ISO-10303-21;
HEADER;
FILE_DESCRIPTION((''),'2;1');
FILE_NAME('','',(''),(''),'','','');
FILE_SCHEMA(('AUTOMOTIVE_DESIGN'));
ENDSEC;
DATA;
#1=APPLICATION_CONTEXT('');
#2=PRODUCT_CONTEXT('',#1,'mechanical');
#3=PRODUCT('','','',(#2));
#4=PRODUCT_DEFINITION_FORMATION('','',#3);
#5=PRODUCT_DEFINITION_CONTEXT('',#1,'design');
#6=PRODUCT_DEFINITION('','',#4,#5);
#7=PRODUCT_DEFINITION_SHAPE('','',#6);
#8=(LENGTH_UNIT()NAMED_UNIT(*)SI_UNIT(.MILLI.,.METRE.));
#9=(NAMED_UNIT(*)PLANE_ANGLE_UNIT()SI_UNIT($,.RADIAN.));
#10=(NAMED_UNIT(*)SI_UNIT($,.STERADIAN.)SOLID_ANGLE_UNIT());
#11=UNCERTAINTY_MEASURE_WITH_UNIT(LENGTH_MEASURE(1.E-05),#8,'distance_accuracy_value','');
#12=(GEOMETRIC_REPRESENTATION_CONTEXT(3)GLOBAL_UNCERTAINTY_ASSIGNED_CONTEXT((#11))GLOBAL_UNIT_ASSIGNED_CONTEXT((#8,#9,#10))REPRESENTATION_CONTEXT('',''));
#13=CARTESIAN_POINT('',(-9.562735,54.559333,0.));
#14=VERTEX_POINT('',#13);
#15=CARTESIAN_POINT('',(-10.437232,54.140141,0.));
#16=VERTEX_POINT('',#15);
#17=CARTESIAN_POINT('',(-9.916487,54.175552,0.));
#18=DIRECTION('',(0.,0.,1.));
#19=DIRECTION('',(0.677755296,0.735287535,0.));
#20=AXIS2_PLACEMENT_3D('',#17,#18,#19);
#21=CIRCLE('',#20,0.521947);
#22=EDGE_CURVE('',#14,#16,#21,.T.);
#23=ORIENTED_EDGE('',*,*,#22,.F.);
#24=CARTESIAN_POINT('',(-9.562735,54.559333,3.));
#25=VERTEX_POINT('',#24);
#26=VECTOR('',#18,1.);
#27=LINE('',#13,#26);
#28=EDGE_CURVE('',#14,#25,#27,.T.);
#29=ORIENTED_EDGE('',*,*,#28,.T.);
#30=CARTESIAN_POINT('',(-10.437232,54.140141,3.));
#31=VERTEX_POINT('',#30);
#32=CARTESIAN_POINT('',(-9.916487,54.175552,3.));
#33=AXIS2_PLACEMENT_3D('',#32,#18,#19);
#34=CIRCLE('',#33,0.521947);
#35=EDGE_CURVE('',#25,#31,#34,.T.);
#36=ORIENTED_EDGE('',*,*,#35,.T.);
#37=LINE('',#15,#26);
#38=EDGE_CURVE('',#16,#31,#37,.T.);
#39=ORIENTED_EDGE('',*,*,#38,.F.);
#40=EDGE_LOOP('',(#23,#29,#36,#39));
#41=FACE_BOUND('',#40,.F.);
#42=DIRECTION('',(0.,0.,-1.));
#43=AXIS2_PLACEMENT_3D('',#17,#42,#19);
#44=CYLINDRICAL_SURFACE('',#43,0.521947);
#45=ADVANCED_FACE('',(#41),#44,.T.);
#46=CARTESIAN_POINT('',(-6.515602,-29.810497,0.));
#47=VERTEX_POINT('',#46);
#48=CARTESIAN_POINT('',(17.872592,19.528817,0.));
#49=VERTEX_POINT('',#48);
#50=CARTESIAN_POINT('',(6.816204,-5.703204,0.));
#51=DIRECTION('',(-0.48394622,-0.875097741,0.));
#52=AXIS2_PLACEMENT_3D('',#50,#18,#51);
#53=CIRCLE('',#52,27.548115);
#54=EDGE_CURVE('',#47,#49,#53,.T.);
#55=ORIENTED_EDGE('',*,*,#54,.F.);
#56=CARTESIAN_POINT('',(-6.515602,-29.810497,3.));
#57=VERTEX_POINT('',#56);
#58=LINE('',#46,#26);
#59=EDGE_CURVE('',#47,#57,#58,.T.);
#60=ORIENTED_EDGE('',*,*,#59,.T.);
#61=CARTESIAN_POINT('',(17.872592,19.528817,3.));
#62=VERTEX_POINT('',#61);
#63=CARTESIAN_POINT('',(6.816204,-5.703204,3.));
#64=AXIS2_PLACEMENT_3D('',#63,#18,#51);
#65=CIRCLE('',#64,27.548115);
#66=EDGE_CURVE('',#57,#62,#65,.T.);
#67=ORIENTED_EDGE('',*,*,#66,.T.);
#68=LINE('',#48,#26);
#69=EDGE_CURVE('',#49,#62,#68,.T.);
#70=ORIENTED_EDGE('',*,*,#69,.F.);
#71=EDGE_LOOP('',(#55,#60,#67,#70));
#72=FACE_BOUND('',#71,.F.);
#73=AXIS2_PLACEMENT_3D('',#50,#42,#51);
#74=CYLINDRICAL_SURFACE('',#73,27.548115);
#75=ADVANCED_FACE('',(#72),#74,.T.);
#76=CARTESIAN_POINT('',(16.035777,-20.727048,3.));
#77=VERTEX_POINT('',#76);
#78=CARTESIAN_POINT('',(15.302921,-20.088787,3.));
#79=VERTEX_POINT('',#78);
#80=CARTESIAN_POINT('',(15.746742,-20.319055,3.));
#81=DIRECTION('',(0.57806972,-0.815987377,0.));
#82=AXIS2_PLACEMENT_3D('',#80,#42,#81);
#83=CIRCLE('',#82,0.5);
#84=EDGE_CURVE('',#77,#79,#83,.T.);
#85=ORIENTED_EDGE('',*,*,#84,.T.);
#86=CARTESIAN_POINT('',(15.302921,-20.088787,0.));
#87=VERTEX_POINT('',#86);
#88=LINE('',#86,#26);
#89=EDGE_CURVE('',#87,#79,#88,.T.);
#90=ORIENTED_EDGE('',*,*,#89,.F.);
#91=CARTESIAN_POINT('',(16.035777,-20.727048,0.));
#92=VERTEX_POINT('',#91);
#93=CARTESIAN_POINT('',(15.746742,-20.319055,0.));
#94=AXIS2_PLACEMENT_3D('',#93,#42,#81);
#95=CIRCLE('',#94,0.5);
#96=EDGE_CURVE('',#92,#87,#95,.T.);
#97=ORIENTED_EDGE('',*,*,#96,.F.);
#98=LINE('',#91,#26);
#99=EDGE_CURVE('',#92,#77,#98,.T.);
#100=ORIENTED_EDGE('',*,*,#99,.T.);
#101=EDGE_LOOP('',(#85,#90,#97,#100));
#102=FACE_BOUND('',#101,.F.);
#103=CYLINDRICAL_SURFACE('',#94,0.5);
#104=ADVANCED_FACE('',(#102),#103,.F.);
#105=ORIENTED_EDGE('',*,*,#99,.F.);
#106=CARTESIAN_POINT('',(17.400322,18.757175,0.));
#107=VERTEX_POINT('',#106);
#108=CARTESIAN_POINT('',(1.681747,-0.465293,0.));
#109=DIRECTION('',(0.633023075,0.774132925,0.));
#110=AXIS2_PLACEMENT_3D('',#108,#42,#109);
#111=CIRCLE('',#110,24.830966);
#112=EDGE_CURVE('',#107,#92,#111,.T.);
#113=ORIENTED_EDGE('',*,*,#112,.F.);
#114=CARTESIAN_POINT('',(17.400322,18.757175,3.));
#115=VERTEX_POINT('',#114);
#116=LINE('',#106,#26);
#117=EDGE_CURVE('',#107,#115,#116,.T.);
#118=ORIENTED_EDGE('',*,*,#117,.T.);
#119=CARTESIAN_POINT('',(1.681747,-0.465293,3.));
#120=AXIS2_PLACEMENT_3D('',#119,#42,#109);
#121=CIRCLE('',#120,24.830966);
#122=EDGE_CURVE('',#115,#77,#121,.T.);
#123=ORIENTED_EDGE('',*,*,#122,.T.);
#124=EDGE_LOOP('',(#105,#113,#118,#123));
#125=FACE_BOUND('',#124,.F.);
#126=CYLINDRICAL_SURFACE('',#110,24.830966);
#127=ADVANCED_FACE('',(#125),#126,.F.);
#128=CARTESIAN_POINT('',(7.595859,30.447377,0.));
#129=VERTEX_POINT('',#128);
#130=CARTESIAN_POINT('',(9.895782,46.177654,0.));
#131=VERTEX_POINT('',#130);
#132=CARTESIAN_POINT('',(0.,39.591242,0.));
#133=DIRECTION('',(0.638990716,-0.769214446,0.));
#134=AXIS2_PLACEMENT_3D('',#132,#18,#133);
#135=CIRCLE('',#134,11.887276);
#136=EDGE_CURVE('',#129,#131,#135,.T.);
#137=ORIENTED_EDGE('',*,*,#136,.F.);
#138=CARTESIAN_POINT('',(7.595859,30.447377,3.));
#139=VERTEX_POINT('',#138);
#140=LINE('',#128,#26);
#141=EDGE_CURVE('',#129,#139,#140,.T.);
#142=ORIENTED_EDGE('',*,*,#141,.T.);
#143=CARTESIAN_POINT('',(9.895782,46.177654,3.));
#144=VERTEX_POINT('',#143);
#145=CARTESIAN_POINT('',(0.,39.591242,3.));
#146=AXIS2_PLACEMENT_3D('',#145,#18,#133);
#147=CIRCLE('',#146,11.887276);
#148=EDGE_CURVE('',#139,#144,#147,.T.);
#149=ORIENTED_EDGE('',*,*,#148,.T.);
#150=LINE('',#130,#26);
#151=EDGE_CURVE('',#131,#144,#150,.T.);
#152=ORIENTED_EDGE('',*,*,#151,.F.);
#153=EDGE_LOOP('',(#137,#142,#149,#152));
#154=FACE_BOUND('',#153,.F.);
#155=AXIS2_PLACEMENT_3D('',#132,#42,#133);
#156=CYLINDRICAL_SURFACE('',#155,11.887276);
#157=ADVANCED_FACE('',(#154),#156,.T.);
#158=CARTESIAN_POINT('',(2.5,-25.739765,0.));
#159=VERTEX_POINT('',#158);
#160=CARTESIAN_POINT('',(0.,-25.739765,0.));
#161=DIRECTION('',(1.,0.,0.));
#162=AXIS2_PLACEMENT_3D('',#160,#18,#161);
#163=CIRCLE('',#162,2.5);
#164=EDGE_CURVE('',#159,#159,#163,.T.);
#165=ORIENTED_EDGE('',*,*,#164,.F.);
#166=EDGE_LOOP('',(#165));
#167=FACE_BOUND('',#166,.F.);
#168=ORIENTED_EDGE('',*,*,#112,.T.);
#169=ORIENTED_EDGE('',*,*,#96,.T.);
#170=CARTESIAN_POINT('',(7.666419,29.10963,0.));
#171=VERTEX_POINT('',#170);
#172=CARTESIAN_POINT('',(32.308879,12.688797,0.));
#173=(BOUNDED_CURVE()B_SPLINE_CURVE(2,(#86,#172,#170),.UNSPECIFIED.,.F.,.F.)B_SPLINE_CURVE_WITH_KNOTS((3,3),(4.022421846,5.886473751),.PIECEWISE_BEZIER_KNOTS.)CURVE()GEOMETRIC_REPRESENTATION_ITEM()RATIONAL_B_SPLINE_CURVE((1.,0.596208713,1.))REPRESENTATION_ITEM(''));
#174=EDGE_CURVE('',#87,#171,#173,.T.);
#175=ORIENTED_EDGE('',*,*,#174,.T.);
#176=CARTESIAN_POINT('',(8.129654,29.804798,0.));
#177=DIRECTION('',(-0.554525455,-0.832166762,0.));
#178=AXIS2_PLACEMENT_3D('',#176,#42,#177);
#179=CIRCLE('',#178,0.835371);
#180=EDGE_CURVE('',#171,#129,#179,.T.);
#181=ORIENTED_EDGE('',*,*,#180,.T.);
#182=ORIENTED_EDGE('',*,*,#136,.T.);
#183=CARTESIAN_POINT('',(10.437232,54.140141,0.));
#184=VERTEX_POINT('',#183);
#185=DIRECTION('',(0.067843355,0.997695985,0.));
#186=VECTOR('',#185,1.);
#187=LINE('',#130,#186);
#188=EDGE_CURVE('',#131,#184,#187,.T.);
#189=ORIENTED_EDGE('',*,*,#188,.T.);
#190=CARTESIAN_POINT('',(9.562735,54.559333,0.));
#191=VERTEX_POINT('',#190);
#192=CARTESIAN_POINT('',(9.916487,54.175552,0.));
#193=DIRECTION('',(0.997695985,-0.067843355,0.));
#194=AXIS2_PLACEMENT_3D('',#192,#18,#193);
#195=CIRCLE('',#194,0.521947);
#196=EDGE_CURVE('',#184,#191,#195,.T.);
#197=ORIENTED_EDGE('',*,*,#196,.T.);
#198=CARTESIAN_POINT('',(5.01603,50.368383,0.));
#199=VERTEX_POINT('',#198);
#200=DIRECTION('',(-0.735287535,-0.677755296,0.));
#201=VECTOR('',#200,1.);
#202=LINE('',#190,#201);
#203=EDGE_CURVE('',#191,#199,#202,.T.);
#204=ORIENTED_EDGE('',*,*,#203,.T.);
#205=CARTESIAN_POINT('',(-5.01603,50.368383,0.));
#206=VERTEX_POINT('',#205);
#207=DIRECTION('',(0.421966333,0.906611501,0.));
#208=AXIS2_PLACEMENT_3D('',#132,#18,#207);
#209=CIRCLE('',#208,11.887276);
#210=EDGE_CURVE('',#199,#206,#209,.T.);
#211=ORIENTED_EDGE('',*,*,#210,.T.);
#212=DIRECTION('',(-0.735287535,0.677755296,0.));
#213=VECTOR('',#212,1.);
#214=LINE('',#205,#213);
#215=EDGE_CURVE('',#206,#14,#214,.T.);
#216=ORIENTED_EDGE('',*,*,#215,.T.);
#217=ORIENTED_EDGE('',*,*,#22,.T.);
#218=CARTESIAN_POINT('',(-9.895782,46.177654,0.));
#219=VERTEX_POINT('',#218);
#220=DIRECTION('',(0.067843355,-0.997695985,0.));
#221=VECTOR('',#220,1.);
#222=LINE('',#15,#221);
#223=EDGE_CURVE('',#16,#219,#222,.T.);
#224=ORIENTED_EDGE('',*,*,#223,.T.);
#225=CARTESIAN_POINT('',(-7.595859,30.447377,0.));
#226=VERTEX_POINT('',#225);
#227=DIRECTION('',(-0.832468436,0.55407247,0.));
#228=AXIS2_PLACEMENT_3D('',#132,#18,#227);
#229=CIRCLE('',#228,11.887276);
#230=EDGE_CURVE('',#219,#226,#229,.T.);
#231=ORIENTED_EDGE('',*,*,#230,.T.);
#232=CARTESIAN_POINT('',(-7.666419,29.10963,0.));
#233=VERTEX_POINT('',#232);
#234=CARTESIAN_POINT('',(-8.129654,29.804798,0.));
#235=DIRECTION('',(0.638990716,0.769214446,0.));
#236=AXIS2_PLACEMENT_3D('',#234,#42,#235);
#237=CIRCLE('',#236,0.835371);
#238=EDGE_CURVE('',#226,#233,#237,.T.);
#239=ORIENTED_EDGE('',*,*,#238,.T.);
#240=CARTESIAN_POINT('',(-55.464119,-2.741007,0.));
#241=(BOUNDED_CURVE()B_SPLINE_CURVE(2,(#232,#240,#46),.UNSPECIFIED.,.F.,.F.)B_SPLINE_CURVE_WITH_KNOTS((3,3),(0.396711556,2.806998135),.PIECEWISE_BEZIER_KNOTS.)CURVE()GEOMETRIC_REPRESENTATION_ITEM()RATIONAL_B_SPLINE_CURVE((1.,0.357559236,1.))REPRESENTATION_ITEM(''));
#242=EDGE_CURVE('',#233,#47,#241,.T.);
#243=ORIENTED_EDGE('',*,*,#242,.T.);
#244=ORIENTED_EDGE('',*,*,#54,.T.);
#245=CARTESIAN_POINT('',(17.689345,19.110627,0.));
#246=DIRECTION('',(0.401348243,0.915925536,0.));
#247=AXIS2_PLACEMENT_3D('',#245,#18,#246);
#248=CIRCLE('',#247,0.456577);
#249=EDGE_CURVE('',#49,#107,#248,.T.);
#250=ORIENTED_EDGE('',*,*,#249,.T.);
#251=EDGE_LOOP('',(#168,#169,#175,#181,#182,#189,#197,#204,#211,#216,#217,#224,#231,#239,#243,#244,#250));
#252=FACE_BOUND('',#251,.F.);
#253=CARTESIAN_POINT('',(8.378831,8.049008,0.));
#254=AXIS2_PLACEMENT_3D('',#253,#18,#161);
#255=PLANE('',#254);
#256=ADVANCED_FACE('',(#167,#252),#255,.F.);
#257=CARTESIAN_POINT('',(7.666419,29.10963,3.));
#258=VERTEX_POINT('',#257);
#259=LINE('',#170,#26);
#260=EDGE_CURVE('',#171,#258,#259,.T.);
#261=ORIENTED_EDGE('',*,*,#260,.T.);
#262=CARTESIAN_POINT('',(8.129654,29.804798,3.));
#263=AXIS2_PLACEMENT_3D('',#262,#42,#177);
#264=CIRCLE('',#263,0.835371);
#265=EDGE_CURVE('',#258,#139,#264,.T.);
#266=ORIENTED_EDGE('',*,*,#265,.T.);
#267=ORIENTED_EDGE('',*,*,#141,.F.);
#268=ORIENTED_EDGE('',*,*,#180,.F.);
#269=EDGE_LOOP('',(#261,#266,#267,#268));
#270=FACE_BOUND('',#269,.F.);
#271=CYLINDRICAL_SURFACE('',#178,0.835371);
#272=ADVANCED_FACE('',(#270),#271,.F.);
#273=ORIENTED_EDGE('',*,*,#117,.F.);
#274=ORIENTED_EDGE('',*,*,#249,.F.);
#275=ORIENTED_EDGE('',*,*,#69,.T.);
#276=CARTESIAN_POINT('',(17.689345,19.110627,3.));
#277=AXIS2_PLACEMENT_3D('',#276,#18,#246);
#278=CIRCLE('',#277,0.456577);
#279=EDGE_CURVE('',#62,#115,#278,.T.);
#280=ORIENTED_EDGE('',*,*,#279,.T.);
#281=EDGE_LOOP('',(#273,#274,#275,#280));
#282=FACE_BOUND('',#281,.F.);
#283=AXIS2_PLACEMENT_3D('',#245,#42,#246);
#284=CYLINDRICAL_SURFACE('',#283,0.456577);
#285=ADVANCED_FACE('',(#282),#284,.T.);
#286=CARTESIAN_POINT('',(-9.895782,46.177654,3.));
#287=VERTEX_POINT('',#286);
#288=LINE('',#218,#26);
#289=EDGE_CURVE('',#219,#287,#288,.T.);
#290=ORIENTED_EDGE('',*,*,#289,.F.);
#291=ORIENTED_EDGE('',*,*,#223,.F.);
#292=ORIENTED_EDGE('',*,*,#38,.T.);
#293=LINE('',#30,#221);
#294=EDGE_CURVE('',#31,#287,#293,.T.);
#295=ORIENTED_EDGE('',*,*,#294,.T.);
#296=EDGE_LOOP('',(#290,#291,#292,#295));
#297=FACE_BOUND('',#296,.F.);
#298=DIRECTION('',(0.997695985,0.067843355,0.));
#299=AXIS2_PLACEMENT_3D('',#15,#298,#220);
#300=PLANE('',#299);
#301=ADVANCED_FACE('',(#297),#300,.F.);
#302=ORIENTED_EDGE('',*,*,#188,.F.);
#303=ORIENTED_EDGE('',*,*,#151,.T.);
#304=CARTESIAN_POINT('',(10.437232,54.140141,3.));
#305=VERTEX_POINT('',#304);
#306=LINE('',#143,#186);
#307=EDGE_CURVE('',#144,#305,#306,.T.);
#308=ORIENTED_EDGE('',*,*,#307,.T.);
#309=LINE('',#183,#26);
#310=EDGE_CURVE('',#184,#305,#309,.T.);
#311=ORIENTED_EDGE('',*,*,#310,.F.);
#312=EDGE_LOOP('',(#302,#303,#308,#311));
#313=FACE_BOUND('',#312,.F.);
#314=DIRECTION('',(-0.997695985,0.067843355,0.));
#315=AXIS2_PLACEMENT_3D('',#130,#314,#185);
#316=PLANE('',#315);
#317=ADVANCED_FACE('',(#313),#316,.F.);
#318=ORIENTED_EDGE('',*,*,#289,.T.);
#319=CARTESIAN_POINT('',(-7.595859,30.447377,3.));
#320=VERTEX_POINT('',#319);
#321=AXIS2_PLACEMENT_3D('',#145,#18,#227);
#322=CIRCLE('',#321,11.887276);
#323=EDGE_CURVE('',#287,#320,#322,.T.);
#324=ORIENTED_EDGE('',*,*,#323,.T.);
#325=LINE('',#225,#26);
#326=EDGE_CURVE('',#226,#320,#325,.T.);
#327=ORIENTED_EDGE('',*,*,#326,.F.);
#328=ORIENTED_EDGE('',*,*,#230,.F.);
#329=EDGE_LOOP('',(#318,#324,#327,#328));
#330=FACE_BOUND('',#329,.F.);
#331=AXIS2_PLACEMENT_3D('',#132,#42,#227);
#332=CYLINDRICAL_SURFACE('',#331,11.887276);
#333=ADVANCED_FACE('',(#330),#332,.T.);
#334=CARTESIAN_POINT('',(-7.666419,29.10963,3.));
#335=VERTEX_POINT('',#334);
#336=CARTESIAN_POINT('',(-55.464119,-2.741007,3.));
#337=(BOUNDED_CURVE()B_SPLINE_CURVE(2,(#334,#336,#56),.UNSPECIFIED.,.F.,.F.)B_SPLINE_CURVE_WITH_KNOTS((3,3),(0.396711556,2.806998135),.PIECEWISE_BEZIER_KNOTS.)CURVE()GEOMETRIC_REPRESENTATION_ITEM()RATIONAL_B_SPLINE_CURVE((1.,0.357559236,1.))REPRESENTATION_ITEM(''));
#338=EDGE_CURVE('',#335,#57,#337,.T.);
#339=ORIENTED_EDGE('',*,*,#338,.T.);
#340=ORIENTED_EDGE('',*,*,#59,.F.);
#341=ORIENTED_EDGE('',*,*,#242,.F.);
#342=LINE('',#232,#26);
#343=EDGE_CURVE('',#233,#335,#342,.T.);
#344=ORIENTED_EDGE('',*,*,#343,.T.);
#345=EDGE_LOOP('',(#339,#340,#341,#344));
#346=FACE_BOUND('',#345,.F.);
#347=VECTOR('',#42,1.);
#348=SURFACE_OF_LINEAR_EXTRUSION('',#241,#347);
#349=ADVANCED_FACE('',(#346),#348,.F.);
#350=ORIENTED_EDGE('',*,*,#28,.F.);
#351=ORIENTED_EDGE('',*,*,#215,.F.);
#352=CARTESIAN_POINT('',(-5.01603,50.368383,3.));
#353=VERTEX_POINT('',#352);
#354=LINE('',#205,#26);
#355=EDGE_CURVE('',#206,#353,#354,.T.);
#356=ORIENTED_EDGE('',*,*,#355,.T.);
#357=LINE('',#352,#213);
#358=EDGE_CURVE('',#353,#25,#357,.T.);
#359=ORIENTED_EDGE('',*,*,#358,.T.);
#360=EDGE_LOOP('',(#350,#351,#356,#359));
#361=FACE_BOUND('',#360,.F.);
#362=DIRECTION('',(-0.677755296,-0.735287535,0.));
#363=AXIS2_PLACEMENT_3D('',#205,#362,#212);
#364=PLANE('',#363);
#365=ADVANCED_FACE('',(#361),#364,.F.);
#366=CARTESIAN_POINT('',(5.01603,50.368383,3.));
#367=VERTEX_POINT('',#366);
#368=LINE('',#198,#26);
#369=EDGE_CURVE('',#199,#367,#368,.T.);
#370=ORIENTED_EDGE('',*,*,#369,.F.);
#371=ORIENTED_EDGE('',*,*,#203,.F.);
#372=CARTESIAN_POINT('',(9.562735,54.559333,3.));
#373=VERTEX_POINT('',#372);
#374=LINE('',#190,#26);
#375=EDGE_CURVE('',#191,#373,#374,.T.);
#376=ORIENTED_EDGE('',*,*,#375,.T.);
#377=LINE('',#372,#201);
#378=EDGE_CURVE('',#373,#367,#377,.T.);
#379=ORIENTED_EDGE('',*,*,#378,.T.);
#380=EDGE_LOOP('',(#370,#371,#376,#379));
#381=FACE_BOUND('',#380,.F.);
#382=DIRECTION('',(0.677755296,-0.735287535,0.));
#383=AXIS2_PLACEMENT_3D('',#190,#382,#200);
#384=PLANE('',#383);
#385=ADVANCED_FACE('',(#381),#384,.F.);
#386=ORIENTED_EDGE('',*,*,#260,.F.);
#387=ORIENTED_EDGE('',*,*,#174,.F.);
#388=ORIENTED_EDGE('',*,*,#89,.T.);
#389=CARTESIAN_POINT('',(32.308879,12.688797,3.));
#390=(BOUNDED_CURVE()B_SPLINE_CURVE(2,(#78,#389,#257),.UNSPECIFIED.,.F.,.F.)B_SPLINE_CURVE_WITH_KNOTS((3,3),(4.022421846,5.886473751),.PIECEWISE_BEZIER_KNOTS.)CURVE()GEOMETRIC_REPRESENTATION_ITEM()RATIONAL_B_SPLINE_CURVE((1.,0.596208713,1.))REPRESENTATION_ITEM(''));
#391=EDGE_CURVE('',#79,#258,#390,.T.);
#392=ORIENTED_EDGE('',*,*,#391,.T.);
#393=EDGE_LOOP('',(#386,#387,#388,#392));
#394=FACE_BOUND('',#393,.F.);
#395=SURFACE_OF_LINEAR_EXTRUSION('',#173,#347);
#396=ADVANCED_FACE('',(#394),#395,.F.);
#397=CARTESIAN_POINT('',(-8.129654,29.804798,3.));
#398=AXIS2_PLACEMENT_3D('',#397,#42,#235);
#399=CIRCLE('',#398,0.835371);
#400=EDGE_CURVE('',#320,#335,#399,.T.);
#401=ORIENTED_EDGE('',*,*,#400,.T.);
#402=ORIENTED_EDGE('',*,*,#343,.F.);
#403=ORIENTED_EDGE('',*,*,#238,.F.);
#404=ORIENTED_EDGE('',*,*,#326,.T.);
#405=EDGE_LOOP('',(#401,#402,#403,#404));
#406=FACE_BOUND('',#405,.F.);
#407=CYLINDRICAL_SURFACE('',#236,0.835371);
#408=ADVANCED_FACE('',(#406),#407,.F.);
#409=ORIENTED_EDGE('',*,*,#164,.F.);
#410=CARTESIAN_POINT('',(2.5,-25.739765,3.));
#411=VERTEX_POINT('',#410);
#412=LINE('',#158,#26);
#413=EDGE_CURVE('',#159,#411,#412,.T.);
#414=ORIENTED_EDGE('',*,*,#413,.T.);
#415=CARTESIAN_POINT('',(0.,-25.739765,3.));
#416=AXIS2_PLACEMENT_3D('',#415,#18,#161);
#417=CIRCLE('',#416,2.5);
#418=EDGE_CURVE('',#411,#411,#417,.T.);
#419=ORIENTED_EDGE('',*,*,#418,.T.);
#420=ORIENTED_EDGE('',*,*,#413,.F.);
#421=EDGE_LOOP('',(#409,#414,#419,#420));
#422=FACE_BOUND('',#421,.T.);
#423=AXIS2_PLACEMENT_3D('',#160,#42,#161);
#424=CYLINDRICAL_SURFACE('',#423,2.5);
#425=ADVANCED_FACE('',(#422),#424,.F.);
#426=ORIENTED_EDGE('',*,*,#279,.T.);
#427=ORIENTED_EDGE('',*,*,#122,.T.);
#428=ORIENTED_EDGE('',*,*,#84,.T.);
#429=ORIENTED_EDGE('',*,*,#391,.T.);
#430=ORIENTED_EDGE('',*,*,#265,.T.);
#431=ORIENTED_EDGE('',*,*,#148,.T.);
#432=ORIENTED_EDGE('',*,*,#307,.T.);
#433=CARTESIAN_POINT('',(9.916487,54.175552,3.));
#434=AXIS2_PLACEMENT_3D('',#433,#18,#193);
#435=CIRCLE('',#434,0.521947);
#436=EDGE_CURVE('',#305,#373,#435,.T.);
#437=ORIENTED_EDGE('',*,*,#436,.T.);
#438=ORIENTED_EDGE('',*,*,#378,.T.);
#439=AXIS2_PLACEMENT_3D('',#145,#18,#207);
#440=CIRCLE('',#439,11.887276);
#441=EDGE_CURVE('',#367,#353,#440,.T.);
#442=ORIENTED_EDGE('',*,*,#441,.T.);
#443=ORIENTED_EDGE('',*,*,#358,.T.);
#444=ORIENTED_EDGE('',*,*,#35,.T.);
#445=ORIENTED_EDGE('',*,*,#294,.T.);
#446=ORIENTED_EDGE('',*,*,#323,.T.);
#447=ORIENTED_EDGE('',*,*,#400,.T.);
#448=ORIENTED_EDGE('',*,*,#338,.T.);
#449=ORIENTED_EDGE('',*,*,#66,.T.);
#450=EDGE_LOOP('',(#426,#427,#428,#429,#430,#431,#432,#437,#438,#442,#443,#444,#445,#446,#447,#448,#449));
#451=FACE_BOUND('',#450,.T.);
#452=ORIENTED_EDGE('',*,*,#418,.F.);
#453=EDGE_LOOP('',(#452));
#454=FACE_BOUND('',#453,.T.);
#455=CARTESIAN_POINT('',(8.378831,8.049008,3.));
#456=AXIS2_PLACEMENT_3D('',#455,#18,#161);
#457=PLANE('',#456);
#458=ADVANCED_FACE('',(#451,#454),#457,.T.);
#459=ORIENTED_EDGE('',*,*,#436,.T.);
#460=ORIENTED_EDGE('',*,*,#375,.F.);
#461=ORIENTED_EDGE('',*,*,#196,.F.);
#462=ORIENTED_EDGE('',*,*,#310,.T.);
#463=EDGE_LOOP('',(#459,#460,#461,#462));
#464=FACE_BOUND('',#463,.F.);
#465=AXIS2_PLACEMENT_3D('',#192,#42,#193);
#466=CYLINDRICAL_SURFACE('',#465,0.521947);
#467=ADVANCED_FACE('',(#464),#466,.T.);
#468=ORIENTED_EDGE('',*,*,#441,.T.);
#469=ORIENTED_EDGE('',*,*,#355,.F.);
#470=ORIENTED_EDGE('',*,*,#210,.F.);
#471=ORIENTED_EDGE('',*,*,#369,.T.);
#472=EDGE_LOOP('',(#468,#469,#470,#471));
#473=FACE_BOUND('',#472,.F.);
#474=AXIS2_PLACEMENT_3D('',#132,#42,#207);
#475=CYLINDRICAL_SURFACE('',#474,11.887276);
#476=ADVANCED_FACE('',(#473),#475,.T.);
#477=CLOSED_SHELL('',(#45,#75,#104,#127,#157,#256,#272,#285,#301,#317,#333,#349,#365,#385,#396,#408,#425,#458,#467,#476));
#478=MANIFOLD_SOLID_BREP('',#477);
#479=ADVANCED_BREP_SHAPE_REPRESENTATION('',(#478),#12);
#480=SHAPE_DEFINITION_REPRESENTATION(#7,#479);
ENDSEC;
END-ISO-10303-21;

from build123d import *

# Parameters (mm, degrees)
F0_R     = 2.5
F1_DEPTH = 3


with BuildPart() as f1:
    # F0 (on Top) → F1 (new body)
    with BuildSketch(Plane.XY):
        with BuildLine():
            ThreePointArc((-7.5958592746, 30.447376996), (-7.2954421995, 29.7607968689), (-7.6664191036, 29.1096295889))
            add(Edge.make_bspline(
                [(-7.6664191036, 29.1096295889), (-55.464118768, -2.7410070687), (-6.5156015718, -29.8104974613)],
                knots=[0.3967115562, 0.3967115562, 0.3967115562, 2.8069981351, 2.8069981351, 2.8069981351], degree=2, weights=[1, 0.357559236, 1]))
            ThreePointArc((-6.5156015718, -29.8104974613), (31.5120821846, -17.9102618156), (17.8725918917, 19.5288172976))
            ThreePointArc((17.8725918917, 19.5288172976), (17.2999162533, 19.3489700798), (17.4003215692, 18.7571751989))
            ThreePointArc((17.4003215692, 18.7571751989), (26.4978981224, -1.3229207129), (16.0357766574, -20.7270482486))
            ThreePointArc((16.0357766574, -20.7270482486), (15.418361067, -20.6961037556), (15.3029208356, -20.0887874247))
            add(Edge.make_bspline(
                [(15.3029208356, -20.0887874247), (32.3088785024, 12.6887970766), (7.6664191036, 29.1096295889)],
                knots=[4.022421846, 4.022421846, 4.022421846, 5.886473751, 5.886473751, 5.886473751], degree=2, weights=[1, 0.5962087126, 1]))
            ThreePointArc((7.6664191036, 29.1096295889), (7.2954421995, 29.7607968689), (7.5958592746, 30.447376996))
            ThreePointArc((7.5958592746, 30.447376996), (11.762218697, 37.8714882822), (9.8957824129, 46.1776543547))
            Line((9.8957824129, 46.1776543547), (10.4372317457, 54.1401412002))
            ThreePointArc((10.4372317457, 54.1401412002), (10.142102083, 54.646218012), (9.5627349759, 54.5593329591))
            Line((9.5627349759, 54.5593329591), (5.0160304443, 50.3683832584))
            ThreePointArc((5.0160304443, 50.3683832584), (0, 51.478518162), (-5.0160304443, 50.3683832584))
            Line((-5.0160304443, 50.3683832584), (-9.5627349759, 54.5593329591))
            ThreePointArc((-9.5627349759, 54.5593329591), (-10.142102083, 54.646218012), (-10.4372317457, 54.1401412002))
            Line((-10.4372317457, 54.1401412002), (-9.8957824129, 46.1776543547))
            ThreePointArc((-9.8957824129, 46.1776543547), (-11.762218697, 37.8714882822), (-7.5958592746, 30.447376996))
        make_face()
        with Locations((0, -25.7397647947)):
            Circle(F0_R, mode=Mode.SUBTRACT)
    extrude(amount=F1_DEPTH)


solid = f1.part
